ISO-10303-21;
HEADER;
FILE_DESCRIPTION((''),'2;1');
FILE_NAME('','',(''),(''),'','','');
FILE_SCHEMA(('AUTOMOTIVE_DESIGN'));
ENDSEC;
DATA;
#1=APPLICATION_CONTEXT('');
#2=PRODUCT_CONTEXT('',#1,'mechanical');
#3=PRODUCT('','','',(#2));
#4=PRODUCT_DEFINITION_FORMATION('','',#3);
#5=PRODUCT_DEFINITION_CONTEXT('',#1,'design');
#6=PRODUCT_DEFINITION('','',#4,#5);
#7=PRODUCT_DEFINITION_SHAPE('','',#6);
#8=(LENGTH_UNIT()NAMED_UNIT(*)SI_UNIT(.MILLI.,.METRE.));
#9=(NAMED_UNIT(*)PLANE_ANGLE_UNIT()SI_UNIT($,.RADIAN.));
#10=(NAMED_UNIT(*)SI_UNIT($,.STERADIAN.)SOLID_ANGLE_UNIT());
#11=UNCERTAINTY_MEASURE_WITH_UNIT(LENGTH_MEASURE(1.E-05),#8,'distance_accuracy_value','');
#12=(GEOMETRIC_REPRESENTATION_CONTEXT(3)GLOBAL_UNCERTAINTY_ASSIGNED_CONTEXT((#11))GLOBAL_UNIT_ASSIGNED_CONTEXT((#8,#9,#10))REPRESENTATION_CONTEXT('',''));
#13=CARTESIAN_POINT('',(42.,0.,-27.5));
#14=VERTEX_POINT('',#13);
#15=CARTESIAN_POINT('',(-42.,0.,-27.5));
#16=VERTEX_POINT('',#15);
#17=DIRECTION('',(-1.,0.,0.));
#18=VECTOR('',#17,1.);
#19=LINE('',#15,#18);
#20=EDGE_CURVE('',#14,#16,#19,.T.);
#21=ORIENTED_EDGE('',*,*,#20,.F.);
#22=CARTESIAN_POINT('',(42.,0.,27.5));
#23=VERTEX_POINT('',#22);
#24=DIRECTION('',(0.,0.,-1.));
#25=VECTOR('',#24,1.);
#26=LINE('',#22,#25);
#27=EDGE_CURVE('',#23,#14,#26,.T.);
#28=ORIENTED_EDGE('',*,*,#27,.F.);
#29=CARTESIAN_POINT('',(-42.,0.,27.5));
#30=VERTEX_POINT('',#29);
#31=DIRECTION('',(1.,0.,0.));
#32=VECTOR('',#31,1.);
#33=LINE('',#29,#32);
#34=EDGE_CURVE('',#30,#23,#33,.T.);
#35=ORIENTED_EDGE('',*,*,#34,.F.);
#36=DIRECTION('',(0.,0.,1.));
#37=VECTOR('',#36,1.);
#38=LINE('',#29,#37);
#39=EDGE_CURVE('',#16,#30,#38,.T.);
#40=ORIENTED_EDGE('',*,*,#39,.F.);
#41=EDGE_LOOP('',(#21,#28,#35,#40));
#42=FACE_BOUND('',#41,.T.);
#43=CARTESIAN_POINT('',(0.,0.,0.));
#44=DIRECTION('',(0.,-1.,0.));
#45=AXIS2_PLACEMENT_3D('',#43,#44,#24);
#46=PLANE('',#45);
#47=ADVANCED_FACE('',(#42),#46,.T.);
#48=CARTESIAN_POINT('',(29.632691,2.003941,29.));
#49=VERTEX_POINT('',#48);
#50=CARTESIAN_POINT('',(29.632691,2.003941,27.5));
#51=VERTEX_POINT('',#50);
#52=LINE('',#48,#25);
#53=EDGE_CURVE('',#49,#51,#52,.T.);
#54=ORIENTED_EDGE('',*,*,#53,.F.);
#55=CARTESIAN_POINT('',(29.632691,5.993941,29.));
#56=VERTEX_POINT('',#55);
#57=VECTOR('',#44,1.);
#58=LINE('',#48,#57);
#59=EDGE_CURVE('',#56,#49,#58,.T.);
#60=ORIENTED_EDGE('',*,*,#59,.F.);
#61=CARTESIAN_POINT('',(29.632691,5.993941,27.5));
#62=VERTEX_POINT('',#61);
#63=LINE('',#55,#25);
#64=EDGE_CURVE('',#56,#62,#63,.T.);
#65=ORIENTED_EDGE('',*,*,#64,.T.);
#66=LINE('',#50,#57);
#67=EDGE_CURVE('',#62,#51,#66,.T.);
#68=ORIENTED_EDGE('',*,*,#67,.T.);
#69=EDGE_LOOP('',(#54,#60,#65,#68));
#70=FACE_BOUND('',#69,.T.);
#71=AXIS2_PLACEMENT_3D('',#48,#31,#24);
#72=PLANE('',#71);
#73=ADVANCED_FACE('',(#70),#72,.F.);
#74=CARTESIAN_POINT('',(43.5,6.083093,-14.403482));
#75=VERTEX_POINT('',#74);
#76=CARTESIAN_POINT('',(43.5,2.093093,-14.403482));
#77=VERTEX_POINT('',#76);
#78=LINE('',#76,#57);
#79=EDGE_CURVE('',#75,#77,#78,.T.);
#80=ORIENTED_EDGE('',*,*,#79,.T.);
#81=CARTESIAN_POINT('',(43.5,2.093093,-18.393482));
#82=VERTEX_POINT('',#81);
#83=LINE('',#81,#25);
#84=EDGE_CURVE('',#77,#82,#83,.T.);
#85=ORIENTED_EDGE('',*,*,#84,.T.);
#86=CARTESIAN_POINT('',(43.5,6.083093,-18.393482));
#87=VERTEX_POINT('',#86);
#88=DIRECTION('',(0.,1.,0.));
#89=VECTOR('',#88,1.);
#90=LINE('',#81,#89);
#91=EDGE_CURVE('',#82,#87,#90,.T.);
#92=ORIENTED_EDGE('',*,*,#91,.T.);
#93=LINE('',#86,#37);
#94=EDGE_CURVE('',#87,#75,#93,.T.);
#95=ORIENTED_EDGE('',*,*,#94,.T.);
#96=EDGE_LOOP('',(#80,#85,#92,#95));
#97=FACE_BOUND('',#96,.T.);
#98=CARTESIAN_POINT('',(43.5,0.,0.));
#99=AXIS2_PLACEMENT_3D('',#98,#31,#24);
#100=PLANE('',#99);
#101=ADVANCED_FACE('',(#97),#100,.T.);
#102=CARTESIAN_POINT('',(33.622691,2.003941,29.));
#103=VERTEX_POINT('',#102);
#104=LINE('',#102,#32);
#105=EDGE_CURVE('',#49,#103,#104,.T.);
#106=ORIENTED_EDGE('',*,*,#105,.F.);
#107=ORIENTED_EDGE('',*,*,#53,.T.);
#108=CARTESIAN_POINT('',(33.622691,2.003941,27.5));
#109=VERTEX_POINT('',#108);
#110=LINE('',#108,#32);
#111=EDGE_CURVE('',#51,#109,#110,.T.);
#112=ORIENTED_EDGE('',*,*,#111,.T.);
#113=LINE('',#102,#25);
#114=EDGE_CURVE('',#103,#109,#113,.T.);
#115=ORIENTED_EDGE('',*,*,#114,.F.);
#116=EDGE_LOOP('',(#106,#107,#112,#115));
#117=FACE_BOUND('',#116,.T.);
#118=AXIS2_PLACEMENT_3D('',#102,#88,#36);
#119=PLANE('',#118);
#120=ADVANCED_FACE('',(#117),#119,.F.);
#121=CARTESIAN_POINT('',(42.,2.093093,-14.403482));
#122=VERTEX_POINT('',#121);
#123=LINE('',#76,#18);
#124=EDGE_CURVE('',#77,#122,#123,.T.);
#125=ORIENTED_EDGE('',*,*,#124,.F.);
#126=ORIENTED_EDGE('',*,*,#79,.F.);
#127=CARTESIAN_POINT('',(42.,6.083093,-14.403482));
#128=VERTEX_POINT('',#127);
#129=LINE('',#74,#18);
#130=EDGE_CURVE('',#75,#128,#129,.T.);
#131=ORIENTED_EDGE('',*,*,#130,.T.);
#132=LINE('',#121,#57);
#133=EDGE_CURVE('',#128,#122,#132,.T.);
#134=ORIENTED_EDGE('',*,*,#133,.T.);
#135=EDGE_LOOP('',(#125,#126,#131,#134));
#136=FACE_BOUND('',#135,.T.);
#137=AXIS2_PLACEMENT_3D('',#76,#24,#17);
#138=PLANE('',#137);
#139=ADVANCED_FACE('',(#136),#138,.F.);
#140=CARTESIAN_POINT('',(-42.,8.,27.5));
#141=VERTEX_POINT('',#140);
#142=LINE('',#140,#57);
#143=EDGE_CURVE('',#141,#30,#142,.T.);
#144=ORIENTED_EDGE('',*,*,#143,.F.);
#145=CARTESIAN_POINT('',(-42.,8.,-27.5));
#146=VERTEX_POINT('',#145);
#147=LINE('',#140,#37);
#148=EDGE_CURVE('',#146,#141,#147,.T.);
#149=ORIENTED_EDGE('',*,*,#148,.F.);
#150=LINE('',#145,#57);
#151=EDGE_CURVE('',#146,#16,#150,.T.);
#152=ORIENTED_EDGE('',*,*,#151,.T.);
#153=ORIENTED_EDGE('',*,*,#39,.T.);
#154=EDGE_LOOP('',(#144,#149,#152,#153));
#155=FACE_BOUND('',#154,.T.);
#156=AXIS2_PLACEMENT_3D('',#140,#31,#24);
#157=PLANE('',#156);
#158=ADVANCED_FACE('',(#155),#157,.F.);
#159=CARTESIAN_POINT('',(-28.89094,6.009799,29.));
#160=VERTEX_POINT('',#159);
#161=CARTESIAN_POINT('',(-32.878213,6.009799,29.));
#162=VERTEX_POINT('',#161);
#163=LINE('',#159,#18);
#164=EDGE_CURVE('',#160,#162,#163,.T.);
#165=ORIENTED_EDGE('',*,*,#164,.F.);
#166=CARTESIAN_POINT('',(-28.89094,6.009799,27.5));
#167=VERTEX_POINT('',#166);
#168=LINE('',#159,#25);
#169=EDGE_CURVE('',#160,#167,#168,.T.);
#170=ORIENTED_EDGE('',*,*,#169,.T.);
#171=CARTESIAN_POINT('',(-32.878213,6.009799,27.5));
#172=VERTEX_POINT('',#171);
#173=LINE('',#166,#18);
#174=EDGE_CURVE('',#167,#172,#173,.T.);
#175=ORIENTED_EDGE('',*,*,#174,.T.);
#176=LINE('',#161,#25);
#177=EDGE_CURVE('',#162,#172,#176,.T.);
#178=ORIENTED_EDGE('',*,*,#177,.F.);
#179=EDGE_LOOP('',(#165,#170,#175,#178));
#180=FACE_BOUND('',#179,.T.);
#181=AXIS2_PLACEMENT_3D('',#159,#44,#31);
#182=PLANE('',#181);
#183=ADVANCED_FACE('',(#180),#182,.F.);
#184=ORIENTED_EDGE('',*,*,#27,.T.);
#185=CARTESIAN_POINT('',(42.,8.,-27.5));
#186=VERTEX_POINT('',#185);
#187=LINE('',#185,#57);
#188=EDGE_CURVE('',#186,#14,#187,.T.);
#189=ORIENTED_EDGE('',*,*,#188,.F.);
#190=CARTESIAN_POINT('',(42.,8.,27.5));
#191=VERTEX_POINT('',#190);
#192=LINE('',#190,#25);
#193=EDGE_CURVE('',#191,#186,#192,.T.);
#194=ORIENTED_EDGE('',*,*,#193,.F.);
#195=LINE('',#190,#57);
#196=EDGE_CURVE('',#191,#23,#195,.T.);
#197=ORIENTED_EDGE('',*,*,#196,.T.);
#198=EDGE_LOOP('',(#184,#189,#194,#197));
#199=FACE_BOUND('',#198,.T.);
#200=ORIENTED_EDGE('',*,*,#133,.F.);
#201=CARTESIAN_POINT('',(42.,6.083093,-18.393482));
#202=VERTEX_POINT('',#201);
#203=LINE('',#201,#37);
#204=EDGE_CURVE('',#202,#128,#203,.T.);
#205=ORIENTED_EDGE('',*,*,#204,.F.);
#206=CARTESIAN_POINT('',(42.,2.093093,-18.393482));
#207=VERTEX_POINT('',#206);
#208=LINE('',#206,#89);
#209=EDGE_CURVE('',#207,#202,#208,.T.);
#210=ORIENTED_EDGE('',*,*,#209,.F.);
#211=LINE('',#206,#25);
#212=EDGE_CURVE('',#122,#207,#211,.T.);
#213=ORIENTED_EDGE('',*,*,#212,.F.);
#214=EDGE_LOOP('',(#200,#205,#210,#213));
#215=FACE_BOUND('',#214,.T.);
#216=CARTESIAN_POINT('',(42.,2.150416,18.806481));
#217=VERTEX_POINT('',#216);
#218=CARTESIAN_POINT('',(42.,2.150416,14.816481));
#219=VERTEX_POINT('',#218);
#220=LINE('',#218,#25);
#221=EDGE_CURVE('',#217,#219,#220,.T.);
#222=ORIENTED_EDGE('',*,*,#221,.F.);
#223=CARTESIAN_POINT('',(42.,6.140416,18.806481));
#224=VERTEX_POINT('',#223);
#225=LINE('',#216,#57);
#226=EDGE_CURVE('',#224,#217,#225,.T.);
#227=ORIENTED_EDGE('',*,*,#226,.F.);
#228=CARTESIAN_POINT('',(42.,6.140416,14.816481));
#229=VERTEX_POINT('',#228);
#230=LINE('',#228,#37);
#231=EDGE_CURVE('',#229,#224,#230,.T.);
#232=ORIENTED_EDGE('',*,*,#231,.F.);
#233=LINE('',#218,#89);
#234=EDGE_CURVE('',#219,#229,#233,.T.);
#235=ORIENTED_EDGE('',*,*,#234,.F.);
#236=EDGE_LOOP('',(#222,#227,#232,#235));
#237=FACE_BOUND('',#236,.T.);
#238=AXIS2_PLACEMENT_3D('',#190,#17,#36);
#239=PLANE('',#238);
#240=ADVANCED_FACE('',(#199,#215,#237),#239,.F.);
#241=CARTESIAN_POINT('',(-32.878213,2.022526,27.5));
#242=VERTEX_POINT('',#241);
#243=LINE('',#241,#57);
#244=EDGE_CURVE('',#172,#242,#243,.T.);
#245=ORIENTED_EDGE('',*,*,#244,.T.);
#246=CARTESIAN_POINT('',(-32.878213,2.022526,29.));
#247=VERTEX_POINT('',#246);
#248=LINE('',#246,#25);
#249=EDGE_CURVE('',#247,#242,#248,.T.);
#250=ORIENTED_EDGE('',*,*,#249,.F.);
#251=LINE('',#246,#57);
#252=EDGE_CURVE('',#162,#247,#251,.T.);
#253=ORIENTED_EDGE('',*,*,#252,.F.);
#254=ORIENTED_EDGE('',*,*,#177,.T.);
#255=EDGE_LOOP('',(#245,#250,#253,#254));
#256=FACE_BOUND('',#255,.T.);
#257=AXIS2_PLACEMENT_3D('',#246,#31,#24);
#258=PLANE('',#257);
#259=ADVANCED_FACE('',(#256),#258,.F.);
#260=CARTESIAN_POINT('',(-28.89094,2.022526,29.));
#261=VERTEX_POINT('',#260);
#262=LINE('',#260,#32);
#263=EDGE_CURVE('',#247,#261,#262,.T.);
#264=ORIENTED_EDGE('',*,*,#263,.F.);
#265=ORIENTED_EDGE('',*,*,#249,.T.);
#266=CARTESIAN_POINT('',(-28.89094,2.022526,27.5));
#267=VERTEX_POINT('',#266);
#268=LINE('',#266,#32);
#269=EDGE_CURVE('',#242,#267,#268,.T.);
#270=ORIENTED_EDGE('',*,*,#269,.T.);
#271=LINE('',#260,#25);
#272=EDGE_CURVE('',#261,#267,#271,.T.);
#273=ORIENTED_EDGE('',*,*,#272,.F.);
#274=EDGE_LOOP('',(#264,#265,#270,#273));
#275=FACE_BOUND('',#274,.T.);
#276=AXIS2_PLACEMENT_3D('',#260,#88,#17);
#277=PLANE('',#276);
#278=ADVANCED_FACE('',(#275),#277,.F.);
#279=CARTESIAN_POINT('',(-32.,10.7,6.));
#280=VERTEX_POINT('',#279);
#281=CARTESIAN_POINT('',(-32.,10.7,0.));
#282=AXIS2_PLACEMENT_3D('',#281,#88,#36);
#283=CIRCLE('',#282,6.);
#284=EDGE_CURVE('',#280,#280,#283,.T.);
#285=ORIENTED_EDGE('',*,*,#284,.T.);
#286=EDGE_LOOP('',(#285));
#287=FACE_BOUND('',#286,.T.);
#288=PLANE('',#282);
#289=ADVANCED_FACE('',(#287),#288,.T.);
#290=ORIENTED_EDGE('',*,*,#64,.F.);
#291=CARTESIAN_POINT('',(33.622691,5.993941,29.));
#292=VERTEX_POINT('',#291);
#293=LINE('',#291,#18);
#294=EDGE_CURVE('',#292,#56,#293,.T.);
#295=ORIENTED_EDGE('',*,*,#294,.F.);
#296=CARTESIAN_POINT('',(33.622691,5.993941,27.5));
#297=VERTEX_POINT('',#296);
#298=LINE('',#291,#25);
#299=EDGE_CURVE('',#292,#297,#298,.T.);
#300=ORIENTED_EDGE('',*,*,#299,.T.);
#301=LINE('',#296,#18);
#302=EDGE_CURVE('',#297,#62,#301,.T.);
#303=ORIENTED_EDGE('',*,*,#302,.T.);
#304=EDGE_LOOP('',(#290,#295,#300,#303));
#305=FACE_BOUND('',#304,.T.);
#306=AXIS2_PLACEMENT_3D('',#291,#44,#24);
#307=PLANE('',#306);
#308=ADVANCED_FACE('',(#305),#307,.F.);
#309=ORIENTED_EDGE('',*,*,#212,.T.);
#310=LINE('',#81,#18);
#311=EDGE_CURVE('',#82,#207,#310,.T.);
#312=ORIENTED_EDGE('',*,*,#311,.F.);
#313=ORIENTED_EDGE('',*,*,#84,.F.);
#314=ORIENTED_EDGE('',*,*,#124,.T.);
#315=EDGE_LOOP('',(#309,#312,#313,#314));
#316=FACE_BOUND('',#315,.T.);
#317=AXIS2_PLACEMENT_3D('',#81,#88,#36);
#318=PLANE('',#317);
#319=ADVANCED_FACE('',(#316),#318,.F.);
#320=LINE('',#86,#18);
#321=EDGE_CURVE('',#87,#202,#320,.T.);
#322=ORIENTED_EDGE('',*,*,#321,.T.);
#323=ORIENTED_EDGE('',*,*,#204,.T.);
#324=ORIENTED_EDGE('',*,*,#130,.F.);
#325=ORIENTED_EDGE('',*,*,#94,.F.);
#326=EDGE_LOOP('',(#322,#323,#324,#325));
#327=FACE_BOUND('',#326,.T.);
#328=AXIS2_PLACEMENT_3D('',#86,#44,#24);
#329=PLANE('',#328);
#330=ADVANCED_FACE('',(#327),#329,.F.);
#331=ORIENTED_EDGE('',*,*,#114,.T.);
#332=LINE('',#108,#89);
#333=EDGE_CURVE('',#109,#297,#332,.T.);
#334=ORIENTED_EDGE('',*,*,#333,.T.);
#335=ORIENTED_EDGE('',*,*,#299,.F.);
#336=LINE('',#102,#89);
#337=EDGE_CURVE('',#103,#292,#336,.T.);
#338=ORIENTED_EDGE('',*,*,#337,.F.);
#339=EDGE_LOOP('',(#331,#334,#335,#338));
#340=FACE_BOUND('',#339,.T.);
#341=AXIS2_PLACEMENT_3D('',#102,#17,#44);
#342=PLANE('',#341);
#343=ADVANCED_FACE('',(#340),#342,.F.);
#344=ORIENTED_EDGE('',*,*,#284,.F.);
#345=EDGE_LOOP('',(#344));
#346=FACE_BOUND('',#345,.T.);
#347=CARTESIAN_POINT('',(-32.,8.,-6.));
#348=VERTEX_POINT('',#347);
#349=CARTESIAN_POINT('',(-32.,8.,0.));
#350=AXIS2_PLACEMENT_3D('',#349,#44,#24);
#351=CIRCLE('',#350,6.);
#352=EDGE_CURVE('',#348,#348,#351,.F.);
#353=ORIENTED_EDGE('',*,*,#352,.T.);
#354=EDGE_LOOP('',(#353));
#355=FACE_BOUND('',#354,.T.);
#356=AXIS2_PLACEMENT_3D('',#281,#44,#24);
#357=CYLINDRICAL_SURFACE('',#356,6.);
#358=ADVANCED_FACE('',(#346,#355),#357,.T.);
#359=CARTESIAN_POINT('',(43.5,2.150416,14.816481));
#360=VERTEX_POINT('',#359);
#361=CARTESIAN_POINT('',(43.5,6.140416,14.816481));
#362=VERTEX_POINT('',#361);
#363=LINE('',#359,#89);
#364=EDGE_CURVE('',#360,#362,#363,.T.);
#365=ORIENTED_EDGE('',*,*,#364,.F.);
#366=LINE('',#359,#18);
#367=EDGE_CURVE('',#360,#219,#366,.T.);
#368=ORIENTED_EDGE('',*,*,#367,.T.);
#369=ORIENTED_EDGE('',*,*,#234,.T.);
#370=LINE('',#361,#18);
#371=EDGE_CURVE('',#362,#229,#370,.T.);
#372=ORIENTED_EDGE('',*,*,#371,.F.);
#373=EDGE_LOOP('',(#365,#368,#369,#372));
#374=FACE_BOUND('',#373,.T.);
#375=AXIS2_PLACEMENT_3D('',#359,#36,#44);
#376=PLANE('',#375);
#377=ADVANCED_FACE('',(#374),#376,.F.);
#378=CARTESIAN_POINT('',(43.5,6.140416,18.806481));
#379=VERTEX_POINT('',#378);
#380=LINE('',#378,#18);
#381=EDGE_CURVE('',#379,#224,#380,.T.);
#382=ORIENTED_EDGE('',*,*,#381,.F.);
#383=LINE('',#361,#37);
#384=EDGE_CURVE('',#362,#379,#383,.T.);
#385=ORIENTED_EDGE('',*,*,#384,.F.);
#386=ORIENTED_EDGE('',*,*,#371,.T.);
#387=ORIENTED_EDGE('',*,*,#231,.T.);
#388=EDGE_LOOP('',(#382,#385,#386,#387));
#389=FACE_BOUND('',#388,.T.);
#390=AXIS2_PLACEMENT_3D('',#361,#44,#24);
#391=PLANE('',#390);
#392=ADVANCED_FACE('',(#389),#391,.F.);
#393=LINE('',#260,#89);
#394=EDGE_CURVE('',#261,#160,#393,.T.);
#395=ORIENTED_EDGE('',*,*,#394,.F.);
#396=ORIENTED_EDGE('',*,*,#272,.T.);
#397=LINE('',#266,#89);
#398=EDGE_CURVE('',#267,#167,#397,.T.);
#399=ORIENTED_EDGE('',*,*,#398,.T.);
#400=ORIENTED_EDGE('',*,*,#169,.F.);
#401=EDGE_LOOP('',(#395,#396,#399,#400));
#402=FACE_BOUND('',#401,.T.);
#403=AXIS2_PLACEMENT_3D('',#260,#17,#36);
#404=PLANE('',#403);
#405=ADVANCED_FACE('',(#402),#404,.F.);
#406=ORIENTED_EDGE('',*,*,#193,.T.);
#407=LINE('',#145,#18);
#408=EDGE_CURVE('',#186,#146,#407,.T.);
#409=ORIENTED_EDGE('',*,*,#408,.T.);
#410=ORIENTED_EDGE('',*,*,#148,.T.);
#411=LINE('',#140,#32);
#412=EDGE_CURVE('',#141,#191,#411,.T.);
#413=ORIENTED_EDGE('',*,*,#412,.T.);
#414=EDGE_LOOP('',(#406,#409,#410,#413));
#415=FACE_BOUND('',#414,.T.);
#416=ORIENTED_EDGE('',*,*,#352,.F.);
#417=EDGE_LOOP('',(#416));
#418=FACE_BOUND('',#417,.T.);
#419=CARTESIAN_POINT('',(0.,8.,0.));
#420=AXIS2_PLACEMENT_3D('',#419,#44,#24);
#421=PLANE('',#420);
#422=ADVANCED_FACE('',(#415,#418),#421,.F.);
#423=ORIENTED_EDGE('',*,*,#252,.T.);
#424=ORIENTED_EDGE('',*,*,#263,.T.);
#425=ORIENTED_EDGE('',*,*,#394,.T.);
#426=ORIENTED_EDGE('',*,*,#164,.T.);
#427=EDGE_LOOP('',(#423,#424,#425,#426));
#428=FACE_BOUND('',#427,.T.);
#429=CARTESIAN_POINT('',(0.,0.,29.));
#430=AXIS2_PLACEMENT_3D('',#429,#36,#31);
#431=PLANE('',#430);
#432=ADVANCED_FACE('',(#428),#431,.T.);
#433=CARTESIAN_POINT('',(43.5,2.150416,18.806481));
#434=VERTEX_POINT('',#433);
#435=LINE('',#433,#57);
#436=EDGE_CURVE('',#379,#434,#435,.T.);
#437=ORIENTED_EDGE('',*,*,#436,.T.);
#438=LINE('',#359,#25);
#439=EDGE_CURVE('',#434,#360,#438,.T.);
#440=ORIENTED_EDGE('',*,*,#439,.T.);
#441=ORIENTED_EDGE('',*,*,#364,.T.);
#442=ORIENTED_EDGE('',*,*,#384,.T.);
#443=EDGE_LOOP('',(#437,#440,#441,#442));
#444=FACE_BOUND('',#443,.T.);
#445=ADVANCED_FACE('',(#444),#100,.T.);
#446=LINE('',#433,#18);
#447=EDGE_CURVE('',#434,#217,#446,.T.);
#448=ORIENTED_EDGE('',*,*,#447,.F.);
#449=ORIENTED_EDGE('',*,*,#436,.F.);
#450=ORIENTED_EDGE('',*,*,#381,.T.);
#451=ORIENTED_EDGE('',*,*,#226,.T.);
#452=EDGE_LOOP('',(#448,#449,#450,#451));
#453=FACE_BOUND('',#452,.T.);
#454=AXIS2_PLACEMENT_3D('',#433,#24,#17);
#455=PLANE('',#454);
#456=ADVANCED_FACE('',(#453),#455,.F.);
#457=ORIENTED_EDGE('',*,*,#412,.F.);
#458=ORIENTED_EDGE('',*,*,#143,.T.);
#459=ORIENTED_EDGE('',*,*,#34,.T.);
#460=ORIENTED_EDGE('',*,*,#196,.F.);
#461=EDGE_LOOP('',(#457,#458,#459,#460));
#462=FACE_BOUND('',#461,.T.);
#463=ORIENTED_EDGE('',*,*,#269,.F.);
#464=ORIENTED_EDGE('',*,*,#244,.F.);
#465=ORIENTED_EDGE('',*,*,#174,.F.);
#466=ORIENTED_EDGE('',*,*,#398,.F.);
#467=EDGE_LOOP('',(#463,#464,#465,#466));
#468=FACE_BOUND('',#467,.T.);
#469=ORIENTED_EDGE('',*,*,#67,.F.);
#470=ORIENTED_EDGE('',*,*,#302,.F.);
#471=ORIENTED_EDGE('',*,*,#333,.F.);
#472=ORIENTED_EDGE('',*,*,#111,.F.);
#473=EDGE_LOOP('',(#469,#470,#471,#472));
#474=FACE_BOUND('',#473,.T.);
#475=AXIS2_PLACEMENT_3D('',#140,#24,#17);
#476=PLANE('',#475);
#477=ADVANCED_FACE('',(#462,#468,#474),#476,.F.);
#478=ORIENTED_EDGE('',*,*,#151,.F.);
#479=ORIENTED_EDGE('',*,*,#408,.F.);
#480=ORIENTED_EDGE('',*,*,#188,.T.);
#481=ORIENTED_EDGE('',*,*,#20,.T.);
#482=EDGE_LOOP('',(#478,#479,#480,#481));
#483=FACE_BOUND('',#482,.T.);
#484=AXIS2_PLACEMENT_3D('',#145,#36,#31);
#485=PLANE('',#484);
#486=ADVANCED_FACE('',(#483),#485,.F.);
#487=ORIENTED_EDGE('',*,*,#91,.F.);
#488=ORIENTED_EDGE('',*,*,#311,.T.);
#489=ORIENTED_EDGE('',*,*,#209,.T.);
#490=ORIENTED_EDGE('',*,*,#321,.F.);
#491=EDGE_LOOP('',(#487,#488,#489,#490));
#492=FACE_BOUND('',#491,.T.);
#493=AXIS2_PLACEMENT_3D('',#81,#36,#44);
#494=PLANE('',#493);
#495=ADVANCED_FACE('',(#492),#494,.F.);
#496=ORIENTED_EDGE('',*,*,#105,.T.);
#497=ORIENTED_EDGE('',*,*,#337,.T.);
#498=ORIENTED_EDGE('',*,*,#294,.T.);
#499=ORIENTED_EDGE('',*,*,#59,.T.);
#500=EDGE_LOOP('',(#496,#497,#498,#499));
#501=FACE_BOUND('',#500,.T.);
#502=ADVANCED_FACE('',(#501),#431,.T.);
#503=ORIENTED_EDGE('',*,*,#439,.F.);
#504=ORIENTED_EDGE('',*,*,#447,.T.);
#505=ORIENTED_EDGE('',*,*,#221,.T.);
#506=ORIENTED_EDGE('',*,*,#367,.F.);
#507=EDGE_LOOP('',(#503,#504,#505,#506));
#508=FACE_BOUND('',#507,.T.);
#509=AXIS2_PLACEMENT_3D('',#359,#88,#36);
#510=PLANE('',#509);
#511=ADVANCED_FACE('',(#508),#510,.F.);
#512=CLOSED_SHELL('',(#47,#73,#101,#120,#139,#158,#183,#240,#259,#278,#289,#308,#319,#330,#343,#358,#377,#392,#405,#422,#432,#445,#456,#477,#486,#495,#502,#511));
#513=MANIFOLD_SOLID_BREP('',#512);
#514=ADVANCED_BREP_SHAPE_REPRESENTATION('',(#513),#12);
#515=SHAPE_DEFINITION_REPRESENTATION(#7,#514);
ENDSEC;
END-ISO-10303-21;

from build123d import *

# Parameters (mm, degrees)
SKETCH1_W           = 84
SKETCH1_H           = 55
BOSS_EXTRUDE1_DEPTH = 8
SKETCH2_W           = 3.987273362
SKETCH2_H           = 3.987273362
BOSS_EXTRUDE2_DEPTH = 1.5
SKETCH3_W           = 3.99
SKETCH3_H           = 3.99
BOSS_EXTRUDE3_DEPTH = 1.5
SKETCH6_W           = 3.99
SKETCH6_H           = 3.99
BOSS_EXTRUDE4_DEPTH = 1.5
SKETCH7_W           = 3.99
SKETCH7_H           = 3.99
BOSS_EXTRUDE5_DEPTH = 1.5
SKETCH10_R          = 6
BOSS_EXTRUDE6_DEPTH = 2.7


with BuildPart() as part:
    # Sketch1 → Boss-Extrude1 (new body)
    with BuildSketch(Plane(origin=(0, 0, 0), x_dir=(1, 0, 0), z_dir=(0, 1, 0))):
        Rectangle(SKETCH1_W, SKETCH1_H)
    extrude(amount=BOSS_EXTRUDE1_DEPTH)

    # Sketch2 → Boss-Extrude2 (add)
    with BuildSketch(Plane(origin=(0, -0.439186924, 27.5), x_dir=(1, 0, 0), z_dir=(0, 0, 1))):
        with Locations((-30.884576243, 4.455349568)):
            Rectangle(SKETCH2_W, SKETCH2_H)
    extrude(amount=BOSS_EXTRUDE2_DEPTH)

    # Sketch3 → Boss-Extrude3 (add)
    with BuildSketch(Plane(origin=(0, -0.590315395, 27.5), x_dir=(1, 0, 0), z_dir=(0, 0, 1))):
        with Locations((31.62769067, 4.58925653)):
            Rectangle(SKETCH3_W, SKETCH3_H)
    extrude(amount=BOSS_EXTRUDE3_DEPTH)

    # Sketch6 → Boss-Extrude4 (add)
    with BuildSketch(Plane(origin=(42, 0.101407509, -1.505913579), x_dir=(0, 0, -1), z_dir=(1, 0, 0))):
        with Locations((-18.317394251, 4.044008008)):
            Rectangle(SKETCH6_W, SKETCH6_H)
    extrude(amount=BOSS_EXTRUDE4_DEPTH)

    # Sketch7 → Boss-Extrude5 (add)
    with BuildSketch(Plane(origin=(42, -0.062003659, -3.114914247), x_dir=(0, 0, -1), z_dir=(1, 0, 0))):
        with Locations((13.283568203, 4.150096741)):
            Rectangle(SKETCH7_W, SKETCH7_H)
    extrude(amount=BOSS_EXTRUDE5_DEPTH)

    # Sketch10 → Boss-Extrude6 (add)
    with BuildSketch(Plane(origin=(0, 8, 0), x_dir=(1, 0, 0), z_dir=(0, 1, 0))):
        with Locations((-32, 0)):
            Circle(SKETCH10_R)
    extrude(amount=BOSS_EXTRUDE6_DEPTH)


solid = part.part
